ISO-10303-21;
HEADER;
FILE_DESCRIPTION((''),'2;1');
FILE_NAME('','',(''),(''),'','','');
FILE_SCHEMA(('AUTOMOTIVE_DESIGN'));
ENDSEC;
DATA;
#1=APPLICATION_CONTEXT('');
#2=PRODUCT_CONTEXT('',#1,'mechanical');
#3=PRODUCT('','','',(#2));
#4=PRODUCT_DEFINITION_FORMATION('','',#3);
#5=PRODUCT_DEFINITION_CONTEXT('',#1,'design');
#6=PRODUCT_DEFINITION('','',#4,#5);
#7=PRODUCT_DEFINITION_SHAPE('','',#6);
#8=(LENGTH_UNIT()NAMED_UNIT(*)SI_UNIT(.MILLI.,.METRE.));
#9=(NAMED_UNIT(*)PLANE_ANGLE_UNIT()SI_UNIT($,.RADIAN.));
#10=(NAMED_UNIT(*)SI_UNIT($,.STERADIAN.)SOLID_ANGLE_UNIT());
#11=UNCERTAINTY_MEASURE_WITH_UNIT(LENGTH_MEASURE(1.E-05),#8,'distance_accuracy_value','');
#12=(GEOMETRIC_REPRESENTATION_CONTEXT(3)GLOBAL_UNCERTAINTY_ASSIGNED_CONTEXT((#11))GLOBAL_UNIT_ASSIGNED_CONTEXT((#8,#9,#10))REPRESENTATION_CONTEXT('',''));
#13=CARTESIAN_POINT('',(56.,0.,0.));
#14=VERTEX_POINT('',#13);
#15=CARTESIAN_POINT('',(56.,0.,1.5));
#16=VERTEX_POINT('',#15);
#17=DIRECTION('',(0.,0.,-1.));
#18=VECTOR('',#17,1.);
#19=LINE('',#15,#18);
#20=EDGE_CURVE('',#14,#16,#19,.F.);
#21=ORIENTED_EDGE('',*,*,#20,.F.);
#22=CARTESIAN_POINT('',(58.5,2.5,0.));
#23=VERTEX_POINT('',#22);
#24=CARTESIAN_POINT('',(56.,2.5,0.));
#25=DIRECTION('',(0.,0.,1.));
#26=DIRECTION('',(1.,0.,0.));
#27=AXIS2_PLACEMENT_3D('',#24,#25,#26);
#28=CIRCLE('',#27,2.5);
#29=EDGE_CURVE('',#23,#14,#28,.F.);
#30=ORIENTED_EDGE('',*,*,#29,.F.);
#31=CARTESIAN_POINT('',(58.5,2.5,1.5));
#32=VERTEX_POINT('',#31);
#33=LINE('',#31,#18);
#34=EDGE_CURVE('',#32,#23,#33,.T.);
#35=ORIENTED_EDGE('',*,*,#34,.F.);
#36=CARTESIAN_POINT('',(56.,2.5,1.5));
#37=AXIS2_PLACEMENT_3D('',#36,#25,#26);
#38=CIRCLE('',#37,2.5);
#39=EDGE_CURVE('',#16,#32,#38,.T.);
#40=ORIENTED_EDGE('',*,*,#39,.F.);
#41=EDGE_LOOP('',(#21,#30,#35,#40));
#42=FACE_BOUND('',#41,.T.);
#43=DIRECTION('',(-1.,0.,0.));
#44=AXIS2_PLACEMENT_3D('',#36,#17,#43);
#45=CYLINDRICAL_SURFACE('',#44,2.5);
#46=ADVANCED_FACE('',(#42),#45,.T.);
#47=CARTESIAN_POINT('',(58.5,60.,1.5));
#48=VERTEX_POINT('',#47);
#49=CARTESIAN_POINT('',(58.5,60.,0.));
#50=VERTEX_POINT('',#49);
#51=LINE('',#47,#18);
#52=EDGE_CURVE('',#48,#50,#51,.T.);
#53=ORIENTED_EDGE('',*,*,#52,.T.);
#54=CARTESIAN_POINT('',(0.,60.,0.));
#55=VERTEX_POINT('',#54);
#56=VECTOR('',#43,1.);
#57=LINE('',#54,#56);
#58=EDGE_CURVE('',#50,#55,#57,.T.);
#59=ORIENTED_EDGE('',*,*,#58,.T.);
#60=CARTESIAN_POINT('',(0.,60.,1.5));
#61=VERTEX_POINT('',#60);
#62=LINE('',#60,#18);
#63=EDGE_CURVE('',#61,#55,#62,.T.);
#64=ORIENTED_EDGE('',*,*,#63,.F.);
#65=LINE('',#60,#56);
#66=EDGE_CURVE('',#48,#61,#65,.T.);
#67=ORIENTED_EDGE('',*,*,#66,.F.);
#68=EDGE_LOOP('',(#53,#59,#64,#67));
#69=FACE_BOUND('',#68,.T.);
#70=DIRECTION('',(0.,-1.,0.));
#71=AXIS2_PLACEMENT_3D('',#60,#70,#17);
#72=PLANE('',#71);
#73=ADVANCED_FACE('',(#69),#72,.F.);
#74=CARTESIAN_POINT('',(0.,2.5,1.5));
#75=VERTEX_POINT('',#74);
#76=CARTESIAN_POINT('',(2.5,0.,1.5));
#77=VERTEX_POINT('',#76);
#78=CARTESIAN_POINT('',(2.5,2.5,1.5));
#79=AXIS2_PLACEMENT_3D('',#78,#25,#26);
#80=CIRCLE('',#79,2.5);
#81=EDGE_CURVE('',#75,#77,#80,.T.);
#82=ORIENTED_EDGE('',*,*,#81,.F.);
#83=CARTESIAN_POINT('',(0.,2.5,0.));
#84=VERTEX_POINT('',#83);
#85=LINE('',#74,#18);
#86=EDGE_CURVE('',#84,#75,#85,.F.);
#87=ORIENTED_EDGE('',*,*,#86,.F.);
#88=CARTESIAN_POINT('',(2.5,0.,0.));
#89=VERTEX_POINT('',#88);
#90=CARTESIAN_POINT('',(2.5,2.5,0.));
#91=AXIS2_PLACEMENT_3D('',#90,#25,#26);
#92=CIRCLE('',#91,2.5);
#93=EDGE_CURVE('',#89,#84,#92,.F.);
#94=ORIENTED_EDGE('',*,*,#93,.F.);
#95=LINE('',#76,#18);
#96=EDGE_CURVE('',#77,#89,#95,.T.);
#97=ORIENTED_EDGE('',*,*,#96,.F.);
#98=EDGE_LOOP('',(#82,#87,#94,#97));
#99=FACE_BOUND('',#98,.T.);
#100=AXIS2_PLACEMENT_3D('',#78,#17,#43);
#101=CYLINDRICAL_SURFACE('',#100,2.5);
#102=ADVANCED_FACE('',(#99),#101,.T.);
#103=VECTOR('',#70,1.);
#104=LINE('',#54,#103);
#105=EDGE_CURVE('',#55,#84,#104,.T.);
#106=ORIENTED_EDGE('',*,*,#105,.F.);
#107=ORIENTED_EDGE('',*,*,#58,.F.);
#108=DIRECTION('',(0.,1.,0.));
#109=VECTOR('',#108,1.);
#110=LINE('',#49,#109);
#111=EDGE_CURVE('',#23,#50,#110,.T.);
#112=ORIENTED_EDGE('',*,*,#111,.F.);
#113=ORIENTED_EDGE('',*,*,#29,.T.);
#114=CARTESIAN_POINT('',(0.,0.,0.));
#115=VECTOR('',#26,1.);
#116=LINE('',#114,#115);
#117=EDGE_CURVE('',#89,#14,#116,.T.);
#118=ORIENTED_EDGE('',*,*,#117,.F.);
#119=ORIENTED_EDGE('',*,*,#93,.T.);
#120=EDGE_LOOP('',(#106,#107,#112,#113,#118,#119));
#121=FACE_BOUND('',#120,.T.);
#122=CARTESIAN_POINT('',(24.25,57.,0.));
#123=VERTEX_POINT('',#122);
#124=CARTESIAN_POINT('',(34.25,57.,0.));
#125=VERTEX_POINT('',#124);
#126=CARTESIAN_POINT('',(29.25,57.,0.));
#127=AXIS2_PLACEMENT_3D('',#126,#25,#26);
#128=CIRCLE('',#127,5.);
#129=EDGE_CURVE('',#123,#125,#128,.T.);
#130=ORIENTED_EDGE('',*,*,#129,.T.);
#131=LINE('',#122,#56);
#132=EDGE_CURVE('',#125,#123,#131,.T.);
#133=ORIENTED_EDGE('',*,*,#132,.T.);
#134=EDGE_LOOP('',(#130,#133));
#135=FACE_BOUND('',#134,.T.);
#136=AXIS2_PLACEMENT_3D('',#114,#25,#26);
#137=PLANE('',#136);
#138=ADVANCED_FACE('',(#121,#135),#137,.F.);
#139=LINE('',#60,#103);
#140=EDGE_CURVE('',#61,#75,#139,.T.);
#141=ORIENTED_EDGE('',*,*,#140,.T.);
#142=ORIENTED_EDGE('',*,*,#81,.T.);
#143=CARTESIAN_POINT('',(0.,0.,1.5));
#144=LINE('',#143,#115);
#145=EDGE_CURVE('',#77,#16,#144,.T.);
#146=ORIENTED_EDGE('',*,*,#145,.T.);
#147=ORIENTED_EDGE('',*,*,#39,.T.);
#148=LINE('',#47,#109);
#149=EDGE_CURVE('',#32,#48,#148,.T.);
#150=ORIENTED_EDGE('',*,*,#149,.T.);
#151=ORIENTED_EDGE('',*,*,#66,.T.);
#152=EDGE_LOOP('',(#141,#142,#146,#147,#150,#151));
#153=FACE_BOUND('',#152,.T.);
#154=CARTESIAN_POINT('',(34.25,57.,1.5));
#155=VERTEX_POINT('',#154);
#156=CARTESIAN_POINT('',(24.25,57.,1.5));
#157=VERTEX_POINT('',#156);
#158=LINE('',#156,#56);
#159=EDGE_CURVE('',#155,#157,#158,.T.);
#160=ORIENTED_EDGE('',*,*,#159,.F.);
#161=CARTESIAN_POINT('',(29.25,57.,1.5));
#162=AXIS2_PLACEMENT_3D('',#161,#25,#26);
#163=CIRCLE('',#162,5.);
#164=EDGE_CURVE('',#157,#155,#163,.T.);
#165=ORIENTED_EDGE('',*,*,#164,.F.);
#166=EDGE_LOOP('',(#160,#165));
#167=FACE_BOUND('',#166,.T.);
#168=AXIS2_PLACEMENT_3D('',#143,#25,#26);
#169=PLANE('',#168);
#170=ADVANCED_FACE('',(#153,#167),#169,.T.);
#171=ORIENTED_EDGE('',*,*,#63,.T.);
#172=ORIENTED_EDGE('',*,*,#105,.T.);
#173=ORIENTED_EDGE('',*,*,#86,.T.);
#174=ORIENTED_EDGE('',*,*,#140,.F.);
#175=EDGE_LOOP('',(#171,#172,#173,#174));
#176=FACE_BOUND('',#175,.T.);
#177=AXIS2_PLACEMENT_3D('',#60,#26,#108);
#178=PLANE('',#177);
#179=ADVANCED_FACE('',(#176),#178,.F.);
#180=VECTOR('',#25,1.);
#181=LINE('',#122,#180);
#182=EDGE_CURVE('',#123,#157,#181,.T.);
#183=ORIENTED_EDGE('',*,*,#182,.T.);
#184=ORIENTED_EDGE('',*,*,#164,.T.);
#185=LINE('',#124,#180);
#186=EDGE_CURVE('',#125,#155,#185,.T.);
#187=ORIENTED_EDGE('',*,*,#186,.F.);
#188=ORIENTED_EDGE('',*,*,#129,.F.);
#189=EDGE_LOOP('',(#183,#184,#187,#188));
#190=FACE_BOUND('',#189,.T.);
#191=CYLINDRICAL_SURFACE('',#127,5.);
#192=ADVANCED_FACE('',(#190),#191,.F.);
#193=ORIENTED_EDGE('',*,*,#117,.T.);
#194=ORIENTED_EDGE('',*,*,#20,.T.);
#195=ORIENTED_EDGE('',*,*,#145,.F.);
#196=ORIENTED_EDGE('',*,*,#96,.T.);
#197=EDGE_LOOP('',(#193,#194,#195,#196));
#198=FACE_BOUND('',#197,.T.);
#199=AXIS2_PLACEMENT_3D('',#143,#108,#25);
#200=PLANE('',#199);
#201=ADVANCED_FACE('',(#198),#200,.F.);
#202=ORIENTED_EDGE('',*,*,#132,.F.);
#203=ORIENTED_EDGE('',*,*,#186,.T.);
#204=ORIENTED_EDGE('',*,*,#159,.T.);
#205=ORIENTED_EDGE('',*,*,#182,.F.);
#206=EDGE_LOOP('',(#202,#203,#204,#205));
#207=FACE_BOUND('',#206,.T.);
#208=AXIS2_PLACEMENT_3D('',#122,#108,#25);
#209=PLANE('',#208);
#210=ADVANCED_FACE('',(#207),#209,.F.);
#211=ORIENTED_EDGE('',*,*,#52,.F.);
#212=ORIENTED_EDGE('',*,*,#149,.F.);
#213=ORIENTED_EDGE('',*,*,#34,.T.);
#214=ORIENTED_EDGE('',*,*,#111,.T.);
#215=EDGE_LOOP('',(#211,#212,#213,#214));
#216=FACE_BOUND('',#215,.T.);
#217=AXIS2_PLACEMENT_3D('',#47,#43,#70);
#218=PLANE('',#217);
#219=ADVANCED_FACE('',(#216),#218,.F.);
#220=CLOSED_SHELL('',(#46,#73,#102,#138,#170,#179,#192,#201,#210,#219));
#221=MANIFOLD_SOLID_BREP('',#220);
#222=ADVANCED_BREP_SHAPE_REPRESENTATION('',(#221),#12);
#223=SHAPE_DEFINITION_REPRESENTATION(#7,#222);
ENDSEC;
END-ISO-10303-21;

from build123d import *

# Parameters (mm, degrees)
SKETCH_1_W          = 58.5
SKETCH_1_H          = 60
EXTRUDE_1_DEPTH     = 1.5
FILLET_1_R          = 2.5
CUT_EXTRUDE_1_DEPTH = 2.5


with BuildPart() as part:
    # Эскиз1 → Бобышка-Вытянуть1 (new body)
    with BuildSketch(Plane.XY):
        with Locations((29.25, 30)):
            Rectangle(SKETCH_1_W, SKETCH_1_H)
    extrude(amount=EXTRUDE_1_DEPTH)

    # Скругление1
    fillet_1_edges = [part.edges().sort_by_distance(p)[0] for p in [
        (58.5, 0, 0.75),
        (0, 0, 0.75),
    ]]
    fillet(fillet_1_edges, radius=FILLET_1_R)

    # Эскиз2 → Вырез-Вытянуть1 (cut, through all)
    with BuildSketch(Plane.XY.offset(1.5)):
        with BuildLine():
            Line((24.25, 57), (34.25, 57))
            ThreePointArc((34.25, 57), (29.25, 52), (24.25, 57))
        make_face()
    extrude(amount=-CUT_EXTRUDE_1_DEPTH, mode=Mode.SUBTRACT)


solid = part.part
